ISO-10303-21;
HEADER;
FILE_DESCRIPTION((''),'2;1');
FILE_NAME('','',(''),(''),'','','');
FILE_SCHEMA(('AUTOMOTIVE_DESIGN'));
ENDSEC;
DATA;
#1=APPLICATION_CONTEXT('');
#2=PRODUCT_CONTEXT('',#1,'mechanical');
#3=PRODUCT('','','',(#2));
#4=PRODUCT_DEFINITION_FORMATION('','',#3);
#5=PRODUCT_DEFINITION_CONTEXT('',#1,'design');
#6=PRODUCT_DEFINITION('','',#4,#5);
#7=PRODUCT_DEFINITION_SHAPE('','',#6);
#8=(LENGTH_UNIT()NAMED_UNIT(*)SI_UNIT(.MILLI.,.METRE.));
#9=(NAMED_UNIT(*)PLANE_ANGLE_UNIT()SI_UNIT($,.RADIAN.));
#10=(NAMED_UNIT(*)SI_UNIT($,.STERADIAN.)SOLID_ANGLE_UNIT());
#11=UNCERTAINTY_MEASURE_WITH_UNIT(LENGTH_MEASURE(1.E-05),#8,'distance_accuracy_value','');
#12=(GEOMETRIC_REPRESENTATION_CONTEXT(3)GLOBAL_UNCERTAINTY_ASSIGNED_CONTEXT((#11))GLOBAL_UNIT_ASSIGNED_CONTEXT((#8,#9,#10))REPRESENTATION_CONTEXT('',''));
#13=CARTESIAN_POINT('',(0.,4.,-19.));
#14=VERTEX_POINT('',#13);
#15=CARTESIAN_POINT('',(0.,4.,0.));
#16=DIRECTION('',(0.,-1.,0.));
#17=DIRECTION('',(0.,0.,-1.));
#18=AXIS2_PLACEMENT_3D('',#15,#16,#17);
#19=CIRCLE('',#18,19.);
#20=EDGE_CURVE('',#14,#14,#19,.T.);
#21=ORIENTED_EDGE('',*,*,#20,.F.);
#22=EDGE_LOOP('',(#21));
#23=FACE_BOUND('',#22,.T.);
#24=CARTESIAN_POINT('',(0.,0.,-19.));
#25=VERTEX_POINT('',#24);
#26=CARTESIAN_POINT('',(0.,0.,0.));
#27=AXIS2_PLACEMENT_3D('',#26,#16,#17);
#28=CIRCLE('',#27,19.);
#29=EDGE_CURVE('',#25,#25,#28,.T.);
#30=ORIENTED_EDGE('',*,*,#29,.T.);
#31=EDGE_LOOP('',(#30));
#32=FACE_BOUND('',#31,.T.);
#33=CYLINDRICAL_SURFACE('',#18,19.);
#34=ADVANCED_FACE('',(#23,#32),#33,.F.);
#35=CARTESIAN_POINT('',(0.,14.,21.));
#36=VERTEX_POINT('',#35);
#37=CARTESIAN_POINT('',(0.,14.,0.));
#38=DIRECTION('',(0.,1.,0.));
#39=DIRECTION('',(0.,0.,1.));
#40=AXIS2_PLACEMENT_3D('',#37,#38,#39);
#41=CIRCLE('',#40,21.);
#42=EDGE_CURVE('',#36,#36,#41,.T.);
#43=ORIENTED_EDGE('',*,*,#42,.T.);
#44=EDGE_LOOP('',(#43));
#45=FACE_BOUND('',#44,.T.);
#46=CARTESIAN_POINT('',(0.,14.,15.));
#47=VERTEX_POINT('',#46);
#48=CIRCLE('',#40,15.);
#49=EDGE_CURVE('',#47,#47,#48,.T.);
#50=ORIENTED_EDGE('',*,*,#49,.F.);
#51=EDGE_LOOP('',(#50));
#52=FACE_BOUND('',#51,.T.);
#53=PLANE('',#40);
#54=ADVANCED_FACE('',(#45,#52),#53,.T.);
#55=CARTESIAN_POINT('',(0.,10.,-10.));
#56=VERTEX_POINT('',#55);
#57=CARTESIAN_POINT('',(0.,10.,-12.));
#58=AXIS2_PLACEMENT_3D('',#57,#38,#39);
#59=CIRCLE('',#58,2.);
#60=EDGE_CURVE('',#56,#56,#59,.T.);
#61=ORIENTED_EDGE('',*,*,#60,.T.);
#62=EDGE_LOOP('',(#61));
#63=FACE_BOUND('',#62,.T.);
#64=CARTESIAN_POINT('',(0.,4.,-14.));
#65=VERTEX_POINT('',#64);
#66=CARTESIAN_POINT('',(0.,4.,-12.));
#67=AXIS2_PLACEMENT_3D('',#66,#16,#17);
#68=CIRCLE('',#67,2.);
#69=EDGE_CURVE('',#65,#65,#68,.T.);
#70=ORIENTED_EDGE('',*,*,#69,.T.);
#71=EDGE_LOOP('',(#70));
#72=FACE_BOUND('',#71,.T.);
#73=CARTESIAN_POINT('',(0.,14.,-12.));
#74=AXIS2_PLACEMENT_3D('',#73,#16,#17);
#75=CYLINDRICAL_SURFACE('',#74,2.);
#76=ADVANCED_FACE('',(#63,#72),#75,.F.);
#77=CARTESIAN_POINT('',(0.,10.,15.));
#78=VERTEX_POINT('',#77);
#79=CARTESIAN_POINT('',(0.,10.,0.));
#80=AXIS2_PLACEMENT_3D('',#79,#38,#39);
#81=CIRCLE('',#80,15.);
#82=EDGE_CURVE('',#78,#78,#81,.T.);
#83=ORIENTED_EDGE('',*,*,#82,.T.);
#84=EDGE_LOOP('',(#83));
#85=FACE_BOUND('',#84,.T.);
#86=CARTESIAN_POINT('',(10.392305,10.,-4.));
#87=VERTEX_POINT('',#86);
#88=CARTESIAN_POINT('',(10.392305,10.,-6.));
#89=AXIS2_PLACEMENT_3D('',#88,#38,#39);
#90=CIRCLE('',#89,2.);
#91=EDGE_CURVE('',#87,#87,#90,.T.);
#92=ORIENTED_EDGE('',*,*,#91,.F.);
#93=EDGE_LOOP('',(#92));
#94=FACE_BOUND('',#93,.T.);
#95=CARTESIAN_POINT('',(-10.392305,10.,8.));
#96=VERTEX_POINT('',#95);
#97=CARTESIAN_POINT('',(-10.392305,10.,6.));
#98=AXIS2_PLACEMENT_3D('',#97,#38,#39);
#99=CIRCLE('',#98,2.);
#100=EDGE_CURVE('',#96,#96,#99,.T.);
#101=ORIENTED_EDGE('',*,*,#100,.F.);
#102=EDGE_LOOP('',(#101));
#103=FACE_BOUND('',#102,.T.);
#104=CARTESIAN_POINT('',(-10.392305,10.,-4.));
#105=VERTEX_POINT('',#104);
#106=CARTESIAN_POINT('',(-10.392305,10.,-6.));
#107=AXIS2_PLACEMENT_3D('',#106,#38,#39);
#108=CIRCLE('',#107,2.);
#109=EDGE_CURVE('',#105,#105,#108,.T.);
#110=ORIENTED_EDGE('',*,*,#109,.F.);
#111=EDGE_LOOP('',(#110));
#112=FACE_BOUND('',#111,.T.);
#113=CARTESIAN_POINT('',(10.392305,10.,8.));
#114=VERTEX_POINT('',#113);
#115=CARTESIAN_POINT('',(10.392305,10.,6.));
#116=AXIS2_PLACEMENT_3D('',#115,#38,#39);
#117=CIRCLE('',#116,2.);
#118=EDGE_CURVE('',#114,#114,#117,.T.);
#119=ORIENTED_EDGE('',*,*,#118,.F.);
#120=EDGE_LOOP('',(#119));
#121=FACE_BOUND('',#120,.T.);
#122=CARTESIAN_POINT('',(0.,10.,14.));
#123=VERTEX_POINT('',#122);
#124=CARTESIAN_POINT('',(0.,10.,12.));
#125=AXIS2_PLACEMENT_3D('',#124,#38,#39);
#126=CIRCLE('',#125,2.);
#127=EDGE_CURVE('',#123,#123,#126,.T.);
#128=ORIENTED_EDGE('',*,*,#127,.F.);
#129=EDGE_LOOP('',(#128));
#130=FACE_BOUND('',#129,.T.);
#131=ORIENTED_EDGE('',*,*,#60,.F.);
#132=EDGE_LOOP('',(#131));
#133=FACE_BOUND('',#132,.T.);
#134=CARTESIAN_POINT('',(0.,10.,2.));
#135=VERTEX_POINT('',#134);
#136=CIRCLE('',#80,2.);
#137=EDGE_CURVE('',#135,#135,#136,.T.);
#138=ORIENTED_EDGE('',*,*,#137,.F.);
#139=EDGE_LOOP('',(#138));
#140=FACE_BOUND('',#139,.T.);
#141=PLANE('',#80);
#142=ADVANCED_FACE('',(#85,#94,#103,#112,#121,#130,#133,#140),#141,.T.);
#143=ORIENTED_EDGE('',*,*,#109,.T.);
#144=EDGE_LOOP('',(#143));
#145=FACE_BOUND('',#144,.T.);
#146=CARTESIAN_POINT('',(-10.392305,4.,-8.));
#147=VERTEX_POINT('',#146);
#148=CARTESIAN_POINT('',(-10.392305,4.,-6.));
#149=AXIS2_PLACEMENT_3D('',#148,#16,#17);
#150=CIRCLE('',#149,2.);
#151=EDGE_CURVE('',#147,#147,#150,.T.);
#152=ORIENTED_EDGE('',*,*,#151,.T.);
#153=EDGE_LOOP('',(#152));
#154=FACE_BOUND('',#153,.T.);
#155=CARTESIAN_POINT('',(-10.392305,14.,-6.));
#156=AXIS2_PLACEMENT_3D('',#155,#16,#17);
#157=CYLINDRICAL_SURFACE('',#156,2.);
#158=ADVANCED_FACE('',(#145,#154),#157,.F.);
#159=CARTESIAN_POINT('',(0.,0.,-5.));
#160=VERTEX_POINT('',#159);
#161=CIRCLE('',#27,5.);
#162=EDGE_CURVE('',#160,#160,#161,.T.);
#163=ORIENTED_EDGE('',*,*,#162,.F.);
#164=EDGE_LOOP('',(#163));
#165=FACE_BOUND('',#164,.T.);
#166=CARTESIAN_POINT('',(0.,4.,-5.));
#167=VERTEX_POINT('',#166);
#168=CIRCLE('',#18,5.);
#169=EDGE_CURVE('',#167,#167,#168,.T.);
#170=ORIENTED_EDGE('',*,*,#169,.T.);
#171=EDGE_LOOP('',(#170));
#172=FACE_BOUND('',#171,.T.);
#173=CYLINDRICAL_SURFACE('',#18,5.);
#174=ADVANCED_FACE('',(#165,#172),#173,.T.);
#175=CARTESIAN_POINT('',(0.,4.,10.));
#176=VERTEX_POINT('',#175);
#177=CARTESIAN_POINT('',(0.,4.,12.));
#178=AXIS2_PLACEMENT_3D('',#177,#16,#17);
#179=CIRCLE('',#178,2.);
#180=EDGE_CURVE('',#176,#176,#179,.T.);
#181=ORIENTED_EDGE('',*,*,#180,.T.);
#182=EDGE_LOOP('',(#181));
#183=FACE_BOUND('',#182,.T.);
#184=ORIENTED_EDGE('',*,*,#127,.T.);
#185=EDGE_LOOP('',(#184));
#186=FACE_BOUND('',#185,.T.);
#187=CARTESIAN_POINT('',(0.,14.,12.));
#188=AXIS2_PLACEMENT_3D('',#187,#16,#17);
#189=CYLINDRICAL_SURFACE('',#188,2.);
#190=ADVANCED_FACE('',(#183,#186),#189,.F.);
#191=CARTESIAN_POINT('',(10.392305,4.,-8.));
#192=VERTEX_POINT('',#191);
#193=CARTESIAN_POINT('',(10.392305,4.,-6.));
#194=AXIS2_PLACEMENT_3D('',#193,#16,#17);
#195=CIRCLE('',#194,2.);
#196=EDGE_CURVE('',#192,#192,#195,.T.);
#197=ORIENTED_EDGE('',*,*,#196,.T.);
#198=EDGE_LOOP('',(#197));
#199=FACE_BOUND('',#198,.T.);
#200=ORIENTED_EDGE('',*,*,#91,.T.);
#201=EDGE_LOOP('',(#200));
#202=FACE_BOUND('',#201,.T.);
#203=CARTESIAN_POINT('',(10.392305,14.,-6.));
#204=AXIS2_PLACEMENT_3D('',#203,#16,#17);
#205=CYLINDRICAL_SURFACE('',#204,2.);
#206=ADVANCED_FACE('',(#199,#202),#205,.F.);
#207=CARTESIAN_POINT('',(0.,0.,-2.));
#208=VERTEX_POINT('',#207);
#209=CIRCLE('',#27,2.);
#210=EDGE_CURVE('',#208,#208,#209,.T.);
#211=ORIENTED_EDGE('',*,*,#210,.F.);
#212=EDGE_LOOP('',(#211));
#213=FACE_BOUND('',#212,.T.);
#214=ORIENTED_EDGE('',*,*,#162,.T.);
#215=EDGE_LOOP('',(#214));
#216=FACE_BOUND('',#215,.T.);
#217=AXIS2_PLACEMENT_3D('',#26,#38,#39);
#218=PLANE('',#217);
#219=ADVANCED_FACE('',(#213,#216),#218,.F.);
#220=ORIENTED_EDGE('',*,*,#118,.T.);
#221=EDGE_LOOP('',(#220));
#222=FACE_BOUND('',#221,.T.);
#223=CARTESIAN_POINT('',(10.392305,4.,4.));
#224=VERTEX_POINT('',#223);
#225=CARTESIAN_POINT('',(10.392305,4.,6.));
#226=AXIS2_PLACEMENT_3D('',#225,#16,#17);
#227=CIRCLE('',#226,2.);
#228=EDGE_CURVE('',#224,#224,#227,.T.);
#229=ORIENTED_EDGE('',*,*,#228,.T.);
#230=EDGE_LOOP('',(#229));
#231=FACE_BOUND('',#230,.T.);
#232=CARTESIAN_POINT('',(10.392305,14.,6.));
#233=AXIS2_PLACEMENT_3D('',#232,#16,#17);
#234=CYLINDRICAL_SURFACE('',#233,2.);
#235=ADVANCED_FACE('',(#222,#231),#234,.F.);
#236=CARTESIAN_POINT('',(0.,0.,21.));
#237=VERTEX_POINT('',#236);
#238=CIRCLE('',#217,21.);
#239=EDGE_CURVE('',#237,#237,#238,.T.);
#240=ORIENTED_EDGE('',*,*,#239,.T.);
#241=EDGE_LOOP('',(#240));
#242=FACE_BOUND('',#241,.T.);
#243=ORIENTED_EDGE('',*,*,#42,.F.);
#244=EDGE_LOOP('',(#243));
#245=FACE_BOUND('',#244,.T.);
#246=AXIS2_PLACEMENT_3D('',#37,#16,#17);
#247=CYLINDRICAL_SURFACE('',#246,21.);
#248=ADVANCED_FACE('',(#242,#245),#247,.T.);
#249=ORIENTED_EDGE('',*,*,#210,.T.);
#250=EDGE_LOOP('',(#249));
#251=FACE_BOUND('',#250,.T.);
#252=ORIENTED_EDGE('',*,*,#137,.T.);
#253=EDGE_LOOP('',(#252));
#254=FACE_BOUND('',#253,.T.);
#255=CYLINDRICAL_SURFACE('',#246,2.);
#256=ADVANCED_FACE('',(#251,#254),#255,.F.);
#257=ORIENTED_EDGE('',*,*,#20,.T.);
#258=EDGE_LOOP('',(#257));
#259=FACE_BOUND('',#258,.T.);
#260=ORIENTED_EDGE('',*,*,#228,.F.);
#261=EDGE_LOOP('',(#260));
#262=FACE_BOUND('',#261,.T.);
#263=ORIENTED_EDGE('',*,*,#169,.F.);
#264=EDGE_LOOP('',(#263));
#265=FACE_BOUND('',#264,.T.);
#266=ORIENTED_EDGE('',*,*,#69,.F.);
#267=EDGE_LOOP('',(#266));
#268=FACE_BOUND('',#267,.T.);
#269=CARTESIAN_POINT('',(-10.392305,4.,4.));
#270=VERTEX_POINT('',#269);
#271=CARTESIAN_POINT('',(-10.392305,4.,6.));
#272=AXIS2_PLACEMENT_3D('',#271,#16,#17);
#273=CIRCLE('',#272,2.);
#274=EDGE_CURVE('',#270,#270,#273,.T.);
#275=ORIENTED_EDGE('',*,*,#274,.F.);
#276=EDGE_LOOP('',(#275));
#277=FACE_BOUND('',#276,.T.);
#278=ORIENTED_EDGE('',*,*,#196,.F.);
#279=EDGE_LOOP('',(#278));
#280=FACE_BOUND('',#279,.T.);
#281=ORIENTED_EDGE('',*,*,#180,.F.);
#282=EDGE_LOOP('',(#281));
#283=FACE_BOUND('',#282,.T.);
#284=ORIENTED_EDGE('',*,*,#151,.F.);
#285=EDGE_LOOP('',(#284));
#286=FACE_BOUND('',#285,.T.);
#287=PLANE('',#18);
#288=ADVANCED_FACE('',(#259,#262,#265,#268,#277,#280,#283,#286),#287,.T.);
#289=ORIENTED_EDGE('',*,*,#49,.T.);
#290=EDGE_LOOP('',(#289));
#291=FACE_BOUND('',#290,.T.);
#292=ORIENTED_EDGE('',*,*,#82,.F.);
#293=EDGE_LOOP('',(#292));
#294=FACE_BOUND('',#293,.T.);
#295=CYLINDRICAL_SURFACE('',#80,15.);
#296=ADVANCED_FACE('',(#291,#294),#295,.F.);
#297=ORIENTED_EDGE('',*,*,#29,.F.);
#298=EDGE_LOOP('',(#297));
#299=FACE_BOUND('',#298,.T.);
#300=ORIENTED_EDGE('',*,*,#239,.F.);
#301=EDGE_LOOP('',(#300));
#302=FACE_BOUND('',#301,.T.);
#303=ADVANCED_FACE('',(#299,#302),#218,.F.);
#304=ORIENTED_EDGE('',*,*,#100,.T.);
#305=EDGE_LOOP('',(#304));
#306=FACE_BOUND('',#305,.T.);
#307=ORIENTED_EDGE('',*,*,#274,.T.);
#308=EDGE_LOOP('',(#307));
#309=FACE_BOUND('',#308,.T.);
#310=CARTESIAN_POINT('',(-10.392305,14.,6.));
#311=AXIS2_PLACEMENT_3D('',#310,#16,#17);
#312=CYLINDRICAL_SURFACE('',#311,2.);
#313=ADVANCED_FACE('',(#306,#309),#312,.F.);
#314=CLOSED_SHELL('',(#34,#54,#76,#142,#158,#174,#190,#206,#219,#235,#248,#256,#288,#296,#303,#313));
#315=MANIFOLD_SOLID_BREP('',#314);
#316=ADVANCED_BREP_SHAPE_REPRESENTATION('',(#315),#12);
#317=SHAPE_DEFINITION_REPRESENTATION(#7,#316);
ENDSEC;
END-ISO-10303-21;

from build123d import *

# Parameters (mm, degrees)
SKETCH1_R           = 21
BOSS_EXTRUDE1_DEPTH = 14
SKETCH2_R           = 15
CUT_EXTRUDE1_DEPTH  = 4
SKETCH3_R           = 19
SKETCH3_R_2         = 5
CUT_EXTRUDE2_DEPTH  = 4
SKETCH4_R           = 2
CUT_EXTRUDE3_DEPTH  = 15
SKETCH5_R           = 2
CUT_EXTRUDE4_DEPTH  = 11


with BuildPart() as part:
    # Sketch1 → Boss-Extrude1 (new body)
    with BuildSketch(Plane(origin=(0, 0, 0), x_dir=(1, 0, 0), z_dir=(0, 1, 0))):
        Circle(SKETCH1_R)
    extrude(amount=BOSS_EXTRUDE1_DEPTH)

    # Sketch2 → Cut-Extrude1 (cut)
    with BuildSketch(Plane(origin=(0, 14, 0), x_dir=(1, 0, 0), z_dir=(0, 1, 0))):
        Circle(SKETCH2_R)
    extrude(amount=-CUT_EXTRUDE1_DEPTH, mode=Mode.SUBTRACT)

    # Sketch3 → Cut-Extrude2 (cut)
    with BuildSketch(Plane.XZ):
        Circle(SKETCH3_R)
        Circle(SKETCH3_R_2, mode=Mode.SUBTRACT)
    extrude(amount=-CUT_EXTRUDE2_DEPTH, mode=Mode.SUBTRACT)

    # Sketch4 → Cut-Extrude3 (cut, through all)
    with BuildSketch(Plane.XZ):
        Circle(SKETCH4_R)
    extrude(amount=-CUT_EXTRUDE3_DEPTH, mode=Mode.SUBTRACT)

    # Sketch5 → Cut-Extrude4 (cut, through all)
    with BuildSketch(Plane.XZ.offset(-4)):
        with Locations((0, 12)):
            Circle(SKETCH5_R)
        with Locations((10.392304845, 6)):
            Circle(SKETCH5_R)
        with Locations((10.392304845, -6)):
            Circle(SKETCH5_R)
        with Locations((0, -12)):
            Circle(SKETCH5_R)
        with Locations((-10.392304845, -6)):
            Circle(SKETCH5_R)
        with Locations((-10.392304845, 6)):
            Circle(SKETCH5_R)
    extrude(amount=-CUT_EXTRUDE4_DEPTH, mode=Mode.SUBTRACT)


solid = part.part
